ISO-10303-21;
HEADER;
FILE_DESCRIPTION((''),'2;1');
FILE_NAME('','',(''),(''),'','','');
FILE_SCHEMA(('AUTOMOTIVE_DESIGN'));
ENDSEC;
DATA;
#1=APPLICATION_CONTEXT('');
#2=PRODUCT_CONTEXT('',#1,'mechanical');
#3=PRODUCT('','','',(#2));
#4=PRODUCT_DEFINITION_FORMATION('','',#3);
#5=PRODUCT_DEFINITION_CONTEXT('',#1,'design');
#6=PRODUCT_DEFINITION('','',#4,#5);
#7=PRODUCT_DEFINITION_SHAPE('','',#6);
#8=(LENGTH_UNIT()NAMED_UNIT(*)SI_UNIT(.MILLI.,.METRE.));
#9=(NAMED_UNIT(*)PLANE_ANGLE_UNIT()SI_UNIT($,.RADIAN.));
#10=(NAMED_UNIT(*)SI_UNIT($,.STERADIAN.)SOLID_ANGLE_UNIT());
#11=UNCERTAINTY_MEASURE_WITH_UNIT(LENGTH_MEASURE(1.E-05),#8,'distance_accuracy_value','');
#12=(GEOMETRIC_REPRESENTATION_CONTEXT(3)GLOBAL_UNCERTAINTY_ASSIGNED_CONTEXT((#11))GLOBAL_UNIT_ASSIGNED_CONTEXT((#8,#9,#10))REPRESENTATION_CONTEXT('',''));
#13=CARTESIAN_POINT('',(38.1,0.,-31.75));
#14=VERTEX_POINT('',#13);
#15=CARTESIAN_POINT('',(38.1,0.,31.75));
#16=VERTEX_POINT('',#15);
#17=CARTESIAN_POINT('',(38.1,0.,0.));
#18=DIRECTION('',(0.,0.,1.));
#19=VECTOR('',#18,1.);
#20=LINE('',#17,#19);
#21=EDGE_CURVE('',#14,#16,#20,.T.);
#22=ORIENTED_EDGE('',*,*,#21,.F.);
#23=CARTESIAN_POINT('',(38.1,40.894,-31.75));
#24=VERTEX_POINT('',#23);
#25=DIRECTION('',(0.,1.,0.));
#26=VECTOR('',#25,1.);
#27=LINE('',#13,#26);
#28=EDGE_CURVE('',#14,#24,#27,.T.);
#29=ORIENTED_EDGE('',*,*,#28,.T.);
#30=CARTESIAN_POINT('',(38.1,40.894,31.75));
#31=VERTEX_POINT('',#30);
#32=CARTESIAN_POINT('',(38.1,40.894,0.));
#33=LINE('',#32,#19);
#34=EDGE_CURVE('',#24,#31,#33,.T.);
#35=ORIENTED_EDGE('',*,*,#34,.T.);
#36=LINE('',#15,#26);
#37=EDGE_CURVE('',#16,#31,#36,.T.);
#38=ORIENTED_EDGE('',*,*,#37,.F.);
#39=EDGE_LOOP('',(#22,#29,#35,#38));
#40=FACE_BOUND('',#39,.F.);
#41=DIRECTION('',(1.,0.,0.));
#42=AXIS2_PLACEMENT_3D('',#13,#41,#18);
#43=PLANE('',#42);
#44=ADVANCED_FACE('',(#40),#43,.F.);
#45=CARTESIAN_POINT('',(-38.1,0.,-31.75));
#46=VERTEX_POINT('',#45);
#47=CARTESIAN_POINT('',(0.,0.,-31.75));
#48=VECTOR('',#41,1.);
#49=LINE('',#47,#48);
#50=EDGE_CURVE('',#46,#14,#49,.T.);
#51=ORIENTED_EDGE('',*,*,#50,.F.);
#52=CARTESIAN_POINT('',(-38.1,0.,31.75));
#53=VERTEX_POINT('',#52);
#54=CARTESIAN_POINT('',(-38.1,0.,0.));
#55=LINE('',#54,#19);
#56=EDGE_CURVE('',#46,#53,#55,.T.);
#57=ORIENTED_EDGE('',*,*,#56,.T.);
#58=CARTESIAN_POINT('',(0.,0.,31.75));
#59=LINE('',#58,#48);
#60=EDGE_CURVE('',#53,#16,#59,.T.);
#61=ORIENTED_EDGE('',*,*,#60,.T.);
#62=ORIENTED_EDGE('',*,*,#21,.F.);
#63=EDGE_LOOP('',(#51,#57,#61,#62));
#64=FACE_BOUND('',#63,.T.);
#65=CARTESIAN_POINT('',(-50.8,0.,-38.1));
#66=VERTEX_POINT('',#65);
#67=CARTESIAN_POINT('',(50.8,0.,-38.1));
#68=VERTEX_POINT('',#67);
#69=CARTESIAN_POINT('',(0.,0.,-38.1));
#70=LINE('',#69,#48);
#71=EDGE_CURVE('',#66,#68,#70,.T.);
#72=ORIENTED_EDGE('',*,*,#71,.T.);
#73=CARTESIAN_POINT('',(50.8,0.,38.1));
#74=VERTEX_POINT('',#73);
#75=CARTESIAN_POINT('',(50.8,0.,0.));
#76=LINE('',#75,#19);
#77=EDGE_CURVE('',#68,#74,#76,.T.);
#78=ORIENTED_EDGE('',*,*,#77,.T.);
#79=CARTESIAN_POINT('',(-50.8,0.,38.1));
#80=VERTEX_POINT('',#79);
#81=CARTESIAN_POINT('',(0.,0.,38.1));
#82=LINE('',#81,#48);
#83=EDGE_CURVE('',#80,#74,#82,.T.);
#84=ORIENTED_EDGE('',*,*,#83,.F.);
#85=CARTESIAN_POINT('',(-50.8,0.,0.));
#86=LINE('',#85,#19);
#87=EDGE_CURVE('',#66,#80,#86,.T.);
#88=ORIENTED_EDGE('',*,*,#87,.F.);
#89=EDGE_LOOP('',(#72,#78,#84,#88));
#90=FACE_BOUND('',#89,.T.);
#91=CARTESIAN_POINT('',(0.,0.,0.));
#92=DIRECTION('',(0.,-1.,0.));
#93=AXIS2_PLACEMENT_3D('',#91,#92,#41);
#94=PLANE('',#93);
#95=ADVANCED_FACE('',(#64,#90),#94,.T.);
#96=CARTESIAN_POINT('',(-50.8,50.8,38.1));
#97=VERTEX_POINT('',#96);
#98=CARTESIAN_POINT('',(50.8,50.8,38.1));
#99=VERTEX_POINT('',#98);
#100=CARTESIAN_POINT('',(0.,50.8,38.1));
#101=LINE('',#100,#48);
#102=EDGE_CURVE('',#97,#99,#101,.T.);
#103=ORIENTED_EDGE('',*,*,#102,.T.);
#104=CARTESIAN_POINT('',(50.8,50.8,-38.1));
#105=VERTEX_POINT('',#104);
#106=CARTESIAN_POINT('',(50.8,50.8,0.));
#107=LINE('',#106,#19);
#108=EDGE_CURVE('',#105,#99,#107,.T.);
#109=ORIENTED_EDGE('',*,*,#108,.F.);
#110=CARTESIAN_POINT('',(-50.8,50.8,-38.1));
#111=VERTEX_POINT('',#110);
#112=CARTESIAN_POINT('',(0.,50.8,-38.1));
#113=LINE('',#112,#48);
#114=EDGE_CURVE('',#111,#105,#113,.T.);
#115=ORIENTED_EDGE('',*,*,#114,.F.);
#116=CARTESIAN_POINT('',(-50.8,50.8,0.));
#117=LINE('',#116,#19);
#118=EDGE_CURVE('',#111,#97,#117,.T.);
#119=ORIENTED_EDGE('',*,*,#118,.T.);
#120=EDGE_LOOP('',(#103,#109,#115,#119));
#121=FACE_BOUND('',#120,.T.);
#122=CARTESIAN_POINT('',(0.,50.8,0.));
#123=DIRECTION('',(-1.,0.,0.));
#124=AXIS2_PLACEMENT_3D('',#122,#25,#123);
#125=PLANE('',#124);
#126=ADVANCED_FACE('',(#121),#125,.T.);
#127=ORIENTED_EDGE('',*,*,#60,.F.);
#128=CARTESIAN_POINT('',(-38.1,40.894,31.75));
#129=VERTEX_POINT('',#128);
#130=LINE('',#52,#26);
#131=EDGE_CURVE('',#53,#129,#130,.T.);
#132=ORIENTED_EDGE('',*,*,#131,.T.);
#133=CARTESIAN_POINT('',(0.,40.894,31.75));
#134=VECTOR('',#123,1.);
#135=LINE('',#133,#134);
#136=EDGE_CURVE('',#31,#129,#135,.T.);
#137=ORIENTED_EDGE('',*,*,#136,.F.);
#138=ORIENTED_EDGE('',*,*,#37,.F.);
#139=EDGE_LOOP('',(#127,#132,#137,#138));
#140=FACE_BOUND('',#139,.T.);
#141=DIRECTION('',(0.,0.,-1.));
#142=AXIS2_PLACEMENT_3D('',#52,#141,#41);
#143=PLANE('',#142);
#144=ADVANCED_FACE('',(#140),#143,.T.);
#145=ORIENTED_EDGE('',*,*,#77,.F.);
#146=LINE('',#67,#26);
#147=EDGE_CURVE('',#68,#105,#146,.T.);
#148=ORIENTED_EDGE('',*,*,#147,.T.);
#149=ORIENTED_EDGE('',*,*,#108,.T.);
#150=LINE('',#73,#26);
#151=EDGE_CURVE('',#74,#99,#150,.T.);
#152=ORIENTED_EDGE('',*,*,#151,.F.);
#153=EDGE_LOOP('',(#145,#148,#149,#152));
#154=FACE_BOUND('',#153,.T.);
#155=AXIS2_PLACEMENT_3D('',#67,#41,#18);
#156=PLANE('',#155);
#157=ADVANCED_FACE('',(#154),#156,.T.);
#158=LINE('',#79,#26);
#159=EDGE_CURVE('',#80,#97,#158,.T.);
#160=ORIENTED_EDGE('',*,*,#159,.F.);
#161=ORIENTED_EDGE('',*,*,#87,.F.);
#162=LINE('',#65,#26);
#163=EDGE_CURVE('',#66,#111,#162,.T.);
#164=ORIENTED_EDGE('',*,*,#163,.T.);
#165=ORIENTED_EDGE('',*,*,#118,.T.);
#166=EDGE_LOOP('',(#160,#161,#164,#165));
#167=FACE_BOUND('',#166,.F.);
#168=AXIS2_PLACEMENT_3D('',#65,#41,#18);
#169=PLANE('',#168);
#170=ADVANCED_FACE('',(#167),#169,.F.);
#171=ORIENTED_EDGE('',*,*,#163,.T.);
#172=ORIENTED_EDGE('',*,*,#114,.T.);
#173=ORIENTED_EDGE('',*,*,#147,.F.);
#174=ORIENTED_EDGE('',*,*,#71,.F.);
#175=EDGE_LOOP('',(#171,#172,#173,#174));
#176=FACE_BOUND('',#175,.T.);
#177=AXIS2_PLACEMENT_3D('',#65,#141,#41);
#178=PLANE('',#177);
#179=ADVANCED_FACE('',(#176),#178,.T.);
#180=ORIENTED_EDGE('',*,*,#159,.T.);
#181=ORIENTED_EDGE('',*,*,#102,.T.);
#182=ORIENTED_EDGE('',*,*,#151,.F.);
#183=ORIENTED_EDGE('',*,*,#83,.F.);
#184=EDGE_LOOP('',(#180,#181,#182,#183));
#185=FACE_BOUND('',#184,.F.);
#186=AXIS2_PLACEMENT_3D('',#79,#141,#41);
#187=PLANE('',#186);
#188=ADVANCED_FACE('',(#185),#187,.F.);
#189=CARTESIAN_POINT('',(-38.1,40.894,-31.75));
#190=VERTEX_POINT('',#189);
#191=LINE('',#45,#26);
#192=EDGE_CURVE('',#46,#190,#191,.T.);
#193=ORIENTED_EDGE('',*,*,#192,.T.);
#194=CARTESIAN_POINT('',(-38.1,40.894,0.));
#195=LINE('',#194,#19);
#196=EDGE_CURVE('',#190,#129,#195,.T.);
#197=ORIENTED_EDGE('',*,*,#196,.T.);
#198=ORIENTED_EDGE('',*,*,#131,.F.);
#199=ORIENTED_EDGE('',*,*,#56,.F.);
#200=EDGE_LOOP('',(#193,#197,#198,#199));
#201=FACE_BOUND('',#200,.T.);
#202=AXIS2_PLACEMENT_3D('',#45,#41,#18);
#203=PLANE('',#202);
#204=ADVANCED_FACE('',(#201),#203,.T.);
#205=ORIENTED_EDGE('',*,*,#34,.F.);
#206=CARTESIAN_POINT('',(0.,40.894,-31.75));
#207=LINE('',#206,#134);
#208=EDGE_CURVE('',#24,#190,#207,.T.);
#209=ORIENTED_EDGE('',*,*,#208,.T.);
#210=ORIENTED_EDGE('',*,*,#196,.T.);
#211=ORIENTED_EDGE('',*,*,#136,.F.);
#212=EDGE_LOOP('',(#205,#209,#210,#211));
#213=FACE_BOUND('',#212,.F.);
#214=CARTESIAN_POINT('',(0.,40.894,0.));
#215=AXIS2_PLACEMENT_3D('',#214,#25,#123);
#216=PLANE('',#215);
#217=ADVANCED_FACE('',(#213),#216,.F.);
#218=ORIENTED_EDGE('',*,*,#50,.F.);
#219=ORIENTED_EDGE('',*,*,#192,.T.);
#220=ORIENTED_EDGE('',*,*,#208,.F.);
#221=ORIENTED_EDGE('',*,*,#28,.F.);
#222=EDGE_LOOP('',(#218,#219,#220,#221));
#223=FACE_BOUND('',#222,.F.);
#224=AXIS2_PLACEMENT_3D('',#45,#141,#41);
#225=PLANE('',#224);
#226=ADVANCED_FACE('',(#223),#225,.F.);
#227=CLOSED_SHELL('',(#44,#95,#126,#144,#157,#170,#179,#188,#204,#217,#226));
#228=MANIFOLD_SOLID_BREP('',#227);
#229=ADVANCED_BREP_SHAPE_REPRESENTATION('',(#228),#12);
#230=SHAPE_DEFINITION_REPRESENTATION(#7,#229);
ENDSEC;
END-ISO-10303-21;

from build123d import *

# Parameters (mm, degrees)
F0_W     = 101.6
F0_H     = 76.2
F0_W_2   = 76.2
F0_H_2   = 63.5
F1_DEPTH = 50.8
F2_W     = 76.2
F2_H     = 63.5
F3_DEPTH = 9.906


with BuildPart() as f1:
    # F0 (on Front) → F1 (new body)
    with BuildSketch(Plane.XZ):
        Rectangle(F0_W, F0_H)
        Rectangle(F0_W_2, F0_H_2, mode=Mode.SUBTRACT)
    extrude(amount=-F1_DEPTH)

    # F2 (on face) → F3 (join)
    with BuildSketch(Plane(origin=(0, 50.8, 0), x_dir=(-1, 0, 0), z_dir=(0, 1, 0))):
        Rectangle(F2_W, F2_H)
    extrude(amount=-F3_DEPTH)


solid = f1.part
